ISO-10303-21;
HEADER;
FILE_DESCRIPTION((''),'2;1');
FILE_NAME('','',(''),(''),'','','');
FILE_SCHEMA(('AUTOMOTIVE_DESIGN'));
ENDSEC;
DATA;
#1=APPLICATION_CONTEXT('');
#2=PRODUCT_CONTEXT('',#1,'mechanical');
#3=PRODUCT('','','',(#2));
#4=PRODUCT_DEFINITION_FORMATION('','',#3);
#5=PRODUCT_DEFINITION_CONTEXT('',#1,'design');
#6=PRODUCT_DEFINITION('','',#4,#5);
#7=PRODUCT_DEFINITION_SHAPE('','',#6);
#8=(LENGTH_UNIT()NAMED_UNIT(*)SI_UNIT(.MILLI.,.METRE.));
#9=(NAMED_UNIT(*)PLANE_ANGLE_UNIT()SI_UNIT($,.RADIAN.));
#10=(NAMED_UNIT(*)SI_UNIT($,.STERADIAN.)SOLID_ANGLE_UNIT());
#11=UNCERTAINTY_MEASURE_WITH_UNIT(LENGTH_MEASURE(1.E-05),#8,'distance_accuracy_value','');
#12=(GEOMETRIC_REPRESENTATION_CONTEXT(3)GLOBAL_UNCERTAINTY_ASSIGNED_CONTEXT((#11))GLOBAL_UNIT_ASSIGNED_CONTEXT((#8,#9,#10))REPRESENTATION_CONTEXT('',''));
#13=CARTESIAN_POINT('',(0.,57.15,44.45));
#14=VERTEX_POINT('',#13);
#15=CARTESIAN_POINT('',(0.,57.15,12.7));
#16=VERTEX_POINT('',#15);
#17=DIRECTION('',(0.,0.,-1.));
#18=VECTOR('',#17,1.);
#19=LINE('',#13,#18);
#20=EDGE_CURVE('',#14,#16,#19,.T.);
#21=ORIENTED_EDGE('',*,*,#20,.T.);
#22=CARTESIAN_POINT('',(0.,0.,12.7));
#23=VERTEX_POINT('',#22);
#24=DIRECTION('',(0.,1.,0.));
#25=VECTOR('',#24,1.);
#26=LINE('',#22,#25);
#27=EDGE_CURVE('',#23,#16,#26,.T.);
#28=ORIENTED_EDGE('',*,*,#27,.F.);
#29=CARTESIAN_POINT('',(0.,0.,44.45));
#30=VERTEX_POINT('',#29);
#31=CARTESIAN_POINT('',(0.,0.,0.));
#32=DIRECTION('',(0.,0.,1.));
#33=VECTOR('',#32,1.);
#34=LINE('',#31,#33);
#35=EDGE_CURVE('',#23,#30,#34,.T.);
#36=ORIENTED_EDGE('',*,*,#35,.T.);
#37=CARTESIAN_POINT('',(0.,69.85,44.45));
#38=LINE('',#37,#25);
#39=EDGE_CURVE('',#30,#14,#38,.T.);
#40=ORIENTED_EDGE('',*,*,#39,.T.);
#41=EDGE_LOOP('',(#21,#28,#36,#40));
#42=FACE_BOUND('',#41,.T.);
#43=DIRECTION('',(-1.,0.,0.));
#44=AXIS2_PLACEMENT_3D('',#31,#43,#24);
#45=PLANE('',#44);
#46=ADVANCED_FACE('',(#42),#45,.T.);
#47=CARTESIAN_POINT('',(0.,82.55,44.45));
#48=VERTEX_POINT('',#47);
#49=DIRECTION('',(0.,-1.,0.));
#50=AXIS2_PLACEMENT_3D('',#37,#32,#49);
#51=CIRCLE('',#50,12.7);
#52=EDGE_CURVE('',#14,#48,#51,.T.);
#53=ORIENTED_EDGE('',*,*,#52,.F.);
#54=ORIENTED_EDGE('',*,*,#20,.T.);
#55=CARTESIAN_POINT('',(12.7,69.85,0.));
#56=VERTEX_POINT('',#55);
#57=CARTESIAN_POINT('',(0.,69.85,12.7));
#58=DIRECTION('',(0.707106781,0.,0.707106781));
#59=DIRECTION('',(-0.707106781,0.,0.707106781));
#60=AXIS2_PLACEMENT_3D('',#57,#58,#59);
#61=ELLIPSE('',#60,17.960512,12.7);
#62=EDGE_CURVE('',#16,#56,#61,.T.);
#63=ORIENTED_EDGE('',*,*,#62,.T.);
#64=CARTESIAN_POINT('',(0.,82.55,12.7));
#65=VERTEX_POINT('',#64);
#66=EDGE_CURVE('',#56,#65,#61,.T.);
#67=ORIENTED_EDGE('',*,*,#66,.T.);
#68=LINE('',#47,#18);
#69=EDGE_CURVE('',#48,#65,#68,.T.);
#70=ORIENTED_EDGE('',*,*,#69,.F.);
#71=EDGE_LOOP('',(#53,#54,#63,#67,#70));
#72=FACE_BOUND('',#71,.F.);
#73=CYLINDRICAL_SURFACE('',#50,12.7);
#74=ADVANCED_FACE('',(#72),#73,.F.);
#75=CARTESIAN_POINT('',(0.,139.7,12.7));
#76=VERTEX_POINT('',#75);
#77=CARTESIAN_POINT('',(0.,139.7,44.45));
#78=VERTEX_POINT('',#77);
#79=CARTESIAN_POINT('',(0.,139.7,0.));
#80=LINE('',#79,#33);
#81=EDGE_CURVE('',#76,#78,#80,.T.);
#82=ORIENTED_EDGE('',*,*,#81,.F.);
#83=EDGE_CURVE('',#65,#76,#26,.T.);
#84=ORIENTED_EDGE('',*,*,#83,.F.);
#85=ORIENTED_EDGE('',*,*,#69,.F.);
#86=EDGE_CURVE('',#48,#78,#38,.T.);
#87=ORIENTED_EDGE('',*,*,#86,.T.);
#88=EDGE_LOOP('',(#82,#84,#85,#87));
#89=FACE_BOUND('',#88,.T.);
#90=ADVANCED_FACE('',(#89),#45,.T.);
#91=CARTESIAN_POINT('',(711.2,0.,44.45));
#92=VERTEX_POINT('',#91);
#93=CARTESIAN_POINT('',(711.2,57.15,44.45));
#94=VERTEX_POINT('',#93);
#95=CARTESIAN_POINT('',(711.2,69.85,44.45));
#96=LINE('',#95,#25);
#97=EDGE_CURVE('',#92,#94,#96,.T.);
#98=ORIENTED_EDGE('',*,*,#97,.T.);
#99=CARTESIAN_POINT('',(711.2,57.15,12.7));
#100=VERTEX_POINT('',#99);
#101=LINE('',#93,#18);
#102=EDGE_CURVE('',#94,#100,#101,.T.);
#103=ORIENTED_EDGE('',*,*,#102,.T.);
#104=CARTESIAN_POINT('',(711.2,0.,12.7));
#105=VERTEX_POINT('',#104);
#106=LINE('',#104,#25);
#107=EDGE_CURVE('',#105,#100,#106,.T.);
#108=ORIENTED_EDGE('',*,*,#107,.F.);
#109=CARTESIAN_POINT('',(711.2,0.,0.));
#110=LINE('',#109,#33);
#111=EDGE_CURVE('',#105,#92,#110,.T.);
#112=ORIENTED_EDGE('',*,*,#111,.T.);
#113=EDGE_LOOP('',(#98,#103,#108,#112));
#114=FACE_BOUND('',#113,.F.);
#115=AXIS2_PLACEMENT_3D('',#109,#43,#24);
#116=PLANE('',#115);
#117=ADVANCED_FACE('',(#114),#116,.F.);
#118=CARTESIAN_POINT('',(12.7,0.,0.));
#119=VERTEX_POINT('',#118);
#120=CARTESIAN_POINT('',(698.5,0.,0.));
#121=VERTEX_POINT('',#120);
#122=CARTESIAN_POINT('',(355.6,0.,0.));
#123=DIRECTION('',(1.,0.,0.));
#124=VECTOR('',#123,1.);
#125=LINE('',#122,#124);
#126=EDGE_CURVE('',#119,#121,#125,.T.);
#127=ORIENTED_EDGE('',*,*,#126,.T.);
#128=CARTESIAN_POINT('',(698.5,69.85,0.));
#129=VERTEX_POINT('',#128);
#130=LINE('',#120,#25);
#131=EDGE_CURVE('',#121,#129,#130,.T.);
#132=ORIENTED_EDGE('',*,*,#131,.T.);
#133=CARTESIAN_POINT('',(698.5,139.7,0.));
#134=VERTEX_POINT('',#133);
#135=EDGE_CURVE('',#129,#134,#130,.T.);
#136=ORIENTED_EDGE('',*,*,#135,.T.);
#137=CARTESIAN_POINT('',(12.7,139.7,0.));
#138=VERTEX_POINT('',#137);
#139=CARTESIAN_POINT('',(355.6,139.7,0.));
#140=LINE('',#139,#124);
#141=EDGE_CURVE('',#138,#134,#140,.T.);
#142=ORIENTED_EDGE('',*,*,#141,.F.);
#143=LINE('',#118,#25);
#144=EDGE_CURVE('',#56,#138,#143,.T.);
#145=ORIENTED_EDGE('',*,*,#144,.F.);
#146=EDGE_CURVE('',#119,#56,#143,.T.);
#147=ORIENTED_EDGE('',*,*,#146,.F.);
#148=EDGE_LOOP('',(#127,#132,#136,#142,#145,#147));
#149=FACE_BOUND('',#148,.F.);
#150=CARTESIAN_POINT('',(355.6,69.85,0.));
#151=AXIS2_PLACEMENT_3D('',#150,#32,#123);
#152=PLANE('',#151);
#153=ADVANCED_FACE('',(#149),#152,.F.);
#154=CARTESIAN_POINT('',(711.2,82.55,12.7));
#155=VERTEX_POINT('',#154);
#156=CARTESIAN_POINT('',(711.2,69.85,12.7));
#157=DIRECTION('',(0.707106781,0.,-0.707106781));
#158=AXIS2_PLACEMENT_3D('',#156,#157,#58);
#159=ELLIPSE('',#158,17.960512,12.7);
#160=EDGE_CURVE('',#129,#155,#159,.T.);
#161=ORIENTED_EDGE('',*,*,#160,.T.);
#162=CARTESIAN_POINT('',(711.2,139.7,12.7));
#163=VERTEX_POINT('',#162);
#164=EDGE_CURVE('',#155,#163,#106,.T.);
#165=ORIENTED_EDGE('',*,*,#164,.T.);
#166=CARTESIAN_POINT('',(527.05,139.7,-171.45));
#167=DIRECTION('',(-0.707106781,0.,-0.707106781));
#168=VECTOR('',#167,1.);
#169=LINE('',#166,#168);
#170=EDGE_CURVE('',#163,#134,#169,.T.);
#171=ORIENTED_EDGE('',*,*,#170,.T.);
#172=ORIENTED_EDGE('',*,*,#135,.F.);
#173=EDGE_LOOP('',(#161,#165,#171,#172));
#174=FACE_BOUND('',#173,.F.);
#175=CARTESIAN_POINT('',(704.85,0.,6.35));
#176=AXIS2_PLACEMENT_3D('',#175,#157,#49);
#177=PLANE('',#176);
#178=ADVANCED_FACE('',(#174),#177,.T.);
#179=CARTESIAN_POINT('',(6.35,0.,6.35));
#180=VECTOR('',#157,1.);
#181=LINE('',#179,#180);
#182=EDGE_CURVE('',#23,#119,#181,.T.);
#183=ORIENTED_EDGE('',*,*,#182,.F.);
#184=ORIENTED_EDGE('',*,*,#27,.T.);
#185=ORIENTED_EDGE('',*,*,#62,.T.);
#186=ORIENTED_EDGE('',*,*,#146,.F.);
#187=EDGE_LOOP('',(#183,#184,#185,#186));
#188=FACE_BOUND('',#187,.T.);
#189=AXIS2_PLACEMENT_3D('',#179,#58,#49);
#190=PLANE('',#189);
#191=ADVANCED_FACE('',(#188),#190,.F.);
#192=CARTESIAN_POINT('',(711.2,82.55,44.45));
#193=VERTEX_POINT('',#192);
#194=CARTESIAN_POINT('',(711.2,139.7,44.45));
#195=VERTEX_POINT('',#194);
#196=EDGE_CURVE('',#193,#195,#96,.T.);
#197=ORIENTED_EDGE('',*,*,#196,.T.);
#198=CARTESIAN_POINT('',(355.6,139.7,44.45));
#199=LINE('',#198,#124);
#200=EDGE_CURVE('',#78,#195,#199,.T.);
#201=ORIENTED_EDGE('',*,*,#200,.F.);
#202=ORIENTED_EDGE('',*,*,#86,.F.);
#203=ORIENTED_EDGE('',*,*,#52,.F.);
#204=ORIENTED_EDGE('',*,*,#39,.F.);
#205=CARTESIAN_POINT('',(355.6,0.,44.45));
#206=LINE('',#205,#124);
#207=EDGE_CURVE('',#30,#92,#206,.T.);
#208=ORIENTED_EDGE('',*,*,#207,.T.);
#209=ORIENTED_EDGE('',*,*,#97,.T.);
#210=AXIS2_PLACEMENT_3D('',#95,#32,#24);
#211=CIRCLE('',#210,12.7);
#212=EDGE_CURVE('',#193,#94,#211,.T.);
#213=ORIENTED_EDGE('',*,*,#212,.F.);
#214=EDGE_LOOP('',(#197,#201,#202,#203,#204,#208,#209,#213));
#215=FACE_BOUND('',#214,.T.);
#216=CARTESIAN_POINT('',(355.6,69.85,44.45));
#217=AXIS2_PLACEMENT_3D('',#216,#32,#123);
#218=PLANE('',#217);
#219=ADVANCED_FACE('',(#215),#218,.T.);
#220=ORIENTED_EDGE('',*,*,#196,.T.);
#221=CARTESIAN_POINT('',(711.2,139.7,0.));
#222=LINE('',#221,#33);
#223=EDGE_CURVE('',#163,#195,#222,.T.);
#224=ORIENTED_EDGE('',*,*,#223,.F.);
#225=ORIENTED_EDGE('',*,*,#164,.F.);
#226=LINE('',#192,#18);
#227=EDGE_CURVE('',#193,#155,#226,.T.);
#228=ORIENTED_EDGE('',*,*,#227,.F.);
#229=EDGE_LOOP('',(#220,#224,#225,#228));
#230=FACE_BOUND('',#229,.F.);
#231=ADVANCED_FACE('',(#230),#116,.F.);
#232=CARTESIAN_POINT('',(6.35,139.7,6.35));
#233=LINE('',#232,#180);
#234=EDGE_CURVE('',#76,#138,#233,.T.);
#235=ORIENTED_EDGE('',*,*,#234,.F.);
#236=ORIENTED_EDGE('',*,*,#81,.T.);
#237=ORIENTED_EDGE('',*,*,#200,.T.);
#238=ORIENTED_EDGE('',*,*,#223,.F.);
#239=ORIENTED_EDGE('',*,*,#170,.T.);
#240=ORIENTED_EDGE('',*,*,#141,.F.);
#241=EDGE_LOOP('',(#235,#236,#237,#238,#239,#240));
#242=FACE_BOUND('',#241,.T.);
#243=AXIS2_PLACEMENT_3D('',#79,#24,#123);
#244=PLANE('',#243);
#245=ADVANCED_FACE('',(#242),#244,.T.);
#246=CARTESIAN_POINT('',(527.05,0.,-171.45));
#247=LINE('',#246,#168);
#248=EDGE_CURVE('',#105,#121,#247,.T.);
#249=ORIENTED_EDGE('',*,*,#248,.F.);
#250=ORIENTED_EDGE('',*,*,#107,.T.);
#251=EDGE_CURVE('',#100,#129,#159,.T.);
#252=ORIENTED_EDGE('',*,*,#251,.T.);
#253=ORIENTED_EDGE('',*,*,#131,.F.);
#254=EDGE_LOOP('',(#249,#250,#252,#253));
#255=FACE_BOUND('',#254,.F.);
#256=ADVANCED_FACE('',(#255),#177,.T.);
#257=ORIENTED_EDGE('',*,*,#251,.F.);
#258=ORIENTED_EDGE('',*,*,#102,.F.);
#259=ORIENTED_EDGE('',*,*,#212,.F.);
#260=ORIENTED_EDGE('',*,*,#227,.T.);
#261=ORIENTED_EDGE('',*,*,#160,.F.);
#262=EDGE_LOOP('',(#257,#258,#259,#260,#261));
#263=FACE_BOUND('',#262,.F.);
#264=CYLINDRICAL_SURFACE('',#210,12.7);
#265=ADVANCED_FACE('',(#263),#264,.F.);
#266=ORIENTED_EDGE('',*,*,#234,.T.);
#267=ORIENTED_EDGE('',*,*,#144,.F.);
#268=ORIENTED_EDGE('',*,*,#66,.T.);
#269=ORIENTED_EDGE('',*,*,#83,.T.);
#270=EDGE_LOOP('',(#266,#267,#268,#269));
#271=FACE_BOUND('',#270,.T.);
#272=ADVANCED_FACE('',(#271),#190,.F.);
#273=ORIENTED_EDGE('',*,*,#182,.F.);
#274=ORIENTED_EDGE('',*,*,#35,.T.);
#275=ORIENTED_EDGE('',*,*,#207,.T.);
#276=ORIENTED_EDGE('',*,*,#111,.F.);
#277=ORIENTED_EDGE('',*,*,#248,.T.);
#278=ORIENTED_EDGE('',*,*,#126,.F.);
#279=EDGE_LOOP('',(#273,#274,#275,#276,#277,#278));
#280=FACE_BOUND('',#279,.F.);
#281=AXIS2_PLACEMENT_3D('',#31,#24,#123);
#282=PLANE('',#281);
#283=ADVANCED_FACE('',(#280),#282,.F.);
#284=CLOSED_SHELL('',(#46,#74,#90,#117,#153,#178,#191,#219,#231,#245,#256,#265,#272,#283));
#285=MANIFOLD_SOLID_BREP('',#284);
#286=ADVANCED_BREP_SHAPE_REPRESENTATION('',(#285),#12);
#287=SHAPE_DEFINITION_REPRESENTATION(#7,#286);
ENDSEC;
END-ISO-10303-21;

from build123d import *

# Parameters (mm, degrees)
F0_W     = 711.2
F0_H     = 139.7
F1_DEPTH = 44.45
F2_SIZE  = 12.7
F4_DEPTH = 44.45


with BuildPart() as f1:
    # F0 (on Top) → F1 (new body)
    with BuildSketch(Plane.XY):
        with Locations((355.6, 69.85)):
            Rectangle(F0_W, F0_H)
    extrude(amount=F1_DEPTH)

    # F2
    f2_edges = [f1.edges().sort_by_distance(p)[0] for p in [
        (0, 69.85, 0),
        (711.2, 69.85, 0),
    ]]
    chamfer(f2_edges, length=F2_SIZE)

    # F3 (on face) → F4 (cut)
    with BuildSketch(Plane.XY.offset(44.45)):
        with BuildLine():
            Line((0, 82.55), (0, 57.15))
            ThreePointArc((0, 57.15), (12.7, 69.85), (0, 82.55))
        make_face()
        with BuildLine():
            ThreePointArc((711.2, 82.55), (698.5, 69.85), (711.2, 57.15))
            Line((711.2, 57.15), (711.2, 82.55))
        make_face()
    extrude(amount=-F4_DEPTH, mode=Mode.SUBTRACT)


solid = f1.part
